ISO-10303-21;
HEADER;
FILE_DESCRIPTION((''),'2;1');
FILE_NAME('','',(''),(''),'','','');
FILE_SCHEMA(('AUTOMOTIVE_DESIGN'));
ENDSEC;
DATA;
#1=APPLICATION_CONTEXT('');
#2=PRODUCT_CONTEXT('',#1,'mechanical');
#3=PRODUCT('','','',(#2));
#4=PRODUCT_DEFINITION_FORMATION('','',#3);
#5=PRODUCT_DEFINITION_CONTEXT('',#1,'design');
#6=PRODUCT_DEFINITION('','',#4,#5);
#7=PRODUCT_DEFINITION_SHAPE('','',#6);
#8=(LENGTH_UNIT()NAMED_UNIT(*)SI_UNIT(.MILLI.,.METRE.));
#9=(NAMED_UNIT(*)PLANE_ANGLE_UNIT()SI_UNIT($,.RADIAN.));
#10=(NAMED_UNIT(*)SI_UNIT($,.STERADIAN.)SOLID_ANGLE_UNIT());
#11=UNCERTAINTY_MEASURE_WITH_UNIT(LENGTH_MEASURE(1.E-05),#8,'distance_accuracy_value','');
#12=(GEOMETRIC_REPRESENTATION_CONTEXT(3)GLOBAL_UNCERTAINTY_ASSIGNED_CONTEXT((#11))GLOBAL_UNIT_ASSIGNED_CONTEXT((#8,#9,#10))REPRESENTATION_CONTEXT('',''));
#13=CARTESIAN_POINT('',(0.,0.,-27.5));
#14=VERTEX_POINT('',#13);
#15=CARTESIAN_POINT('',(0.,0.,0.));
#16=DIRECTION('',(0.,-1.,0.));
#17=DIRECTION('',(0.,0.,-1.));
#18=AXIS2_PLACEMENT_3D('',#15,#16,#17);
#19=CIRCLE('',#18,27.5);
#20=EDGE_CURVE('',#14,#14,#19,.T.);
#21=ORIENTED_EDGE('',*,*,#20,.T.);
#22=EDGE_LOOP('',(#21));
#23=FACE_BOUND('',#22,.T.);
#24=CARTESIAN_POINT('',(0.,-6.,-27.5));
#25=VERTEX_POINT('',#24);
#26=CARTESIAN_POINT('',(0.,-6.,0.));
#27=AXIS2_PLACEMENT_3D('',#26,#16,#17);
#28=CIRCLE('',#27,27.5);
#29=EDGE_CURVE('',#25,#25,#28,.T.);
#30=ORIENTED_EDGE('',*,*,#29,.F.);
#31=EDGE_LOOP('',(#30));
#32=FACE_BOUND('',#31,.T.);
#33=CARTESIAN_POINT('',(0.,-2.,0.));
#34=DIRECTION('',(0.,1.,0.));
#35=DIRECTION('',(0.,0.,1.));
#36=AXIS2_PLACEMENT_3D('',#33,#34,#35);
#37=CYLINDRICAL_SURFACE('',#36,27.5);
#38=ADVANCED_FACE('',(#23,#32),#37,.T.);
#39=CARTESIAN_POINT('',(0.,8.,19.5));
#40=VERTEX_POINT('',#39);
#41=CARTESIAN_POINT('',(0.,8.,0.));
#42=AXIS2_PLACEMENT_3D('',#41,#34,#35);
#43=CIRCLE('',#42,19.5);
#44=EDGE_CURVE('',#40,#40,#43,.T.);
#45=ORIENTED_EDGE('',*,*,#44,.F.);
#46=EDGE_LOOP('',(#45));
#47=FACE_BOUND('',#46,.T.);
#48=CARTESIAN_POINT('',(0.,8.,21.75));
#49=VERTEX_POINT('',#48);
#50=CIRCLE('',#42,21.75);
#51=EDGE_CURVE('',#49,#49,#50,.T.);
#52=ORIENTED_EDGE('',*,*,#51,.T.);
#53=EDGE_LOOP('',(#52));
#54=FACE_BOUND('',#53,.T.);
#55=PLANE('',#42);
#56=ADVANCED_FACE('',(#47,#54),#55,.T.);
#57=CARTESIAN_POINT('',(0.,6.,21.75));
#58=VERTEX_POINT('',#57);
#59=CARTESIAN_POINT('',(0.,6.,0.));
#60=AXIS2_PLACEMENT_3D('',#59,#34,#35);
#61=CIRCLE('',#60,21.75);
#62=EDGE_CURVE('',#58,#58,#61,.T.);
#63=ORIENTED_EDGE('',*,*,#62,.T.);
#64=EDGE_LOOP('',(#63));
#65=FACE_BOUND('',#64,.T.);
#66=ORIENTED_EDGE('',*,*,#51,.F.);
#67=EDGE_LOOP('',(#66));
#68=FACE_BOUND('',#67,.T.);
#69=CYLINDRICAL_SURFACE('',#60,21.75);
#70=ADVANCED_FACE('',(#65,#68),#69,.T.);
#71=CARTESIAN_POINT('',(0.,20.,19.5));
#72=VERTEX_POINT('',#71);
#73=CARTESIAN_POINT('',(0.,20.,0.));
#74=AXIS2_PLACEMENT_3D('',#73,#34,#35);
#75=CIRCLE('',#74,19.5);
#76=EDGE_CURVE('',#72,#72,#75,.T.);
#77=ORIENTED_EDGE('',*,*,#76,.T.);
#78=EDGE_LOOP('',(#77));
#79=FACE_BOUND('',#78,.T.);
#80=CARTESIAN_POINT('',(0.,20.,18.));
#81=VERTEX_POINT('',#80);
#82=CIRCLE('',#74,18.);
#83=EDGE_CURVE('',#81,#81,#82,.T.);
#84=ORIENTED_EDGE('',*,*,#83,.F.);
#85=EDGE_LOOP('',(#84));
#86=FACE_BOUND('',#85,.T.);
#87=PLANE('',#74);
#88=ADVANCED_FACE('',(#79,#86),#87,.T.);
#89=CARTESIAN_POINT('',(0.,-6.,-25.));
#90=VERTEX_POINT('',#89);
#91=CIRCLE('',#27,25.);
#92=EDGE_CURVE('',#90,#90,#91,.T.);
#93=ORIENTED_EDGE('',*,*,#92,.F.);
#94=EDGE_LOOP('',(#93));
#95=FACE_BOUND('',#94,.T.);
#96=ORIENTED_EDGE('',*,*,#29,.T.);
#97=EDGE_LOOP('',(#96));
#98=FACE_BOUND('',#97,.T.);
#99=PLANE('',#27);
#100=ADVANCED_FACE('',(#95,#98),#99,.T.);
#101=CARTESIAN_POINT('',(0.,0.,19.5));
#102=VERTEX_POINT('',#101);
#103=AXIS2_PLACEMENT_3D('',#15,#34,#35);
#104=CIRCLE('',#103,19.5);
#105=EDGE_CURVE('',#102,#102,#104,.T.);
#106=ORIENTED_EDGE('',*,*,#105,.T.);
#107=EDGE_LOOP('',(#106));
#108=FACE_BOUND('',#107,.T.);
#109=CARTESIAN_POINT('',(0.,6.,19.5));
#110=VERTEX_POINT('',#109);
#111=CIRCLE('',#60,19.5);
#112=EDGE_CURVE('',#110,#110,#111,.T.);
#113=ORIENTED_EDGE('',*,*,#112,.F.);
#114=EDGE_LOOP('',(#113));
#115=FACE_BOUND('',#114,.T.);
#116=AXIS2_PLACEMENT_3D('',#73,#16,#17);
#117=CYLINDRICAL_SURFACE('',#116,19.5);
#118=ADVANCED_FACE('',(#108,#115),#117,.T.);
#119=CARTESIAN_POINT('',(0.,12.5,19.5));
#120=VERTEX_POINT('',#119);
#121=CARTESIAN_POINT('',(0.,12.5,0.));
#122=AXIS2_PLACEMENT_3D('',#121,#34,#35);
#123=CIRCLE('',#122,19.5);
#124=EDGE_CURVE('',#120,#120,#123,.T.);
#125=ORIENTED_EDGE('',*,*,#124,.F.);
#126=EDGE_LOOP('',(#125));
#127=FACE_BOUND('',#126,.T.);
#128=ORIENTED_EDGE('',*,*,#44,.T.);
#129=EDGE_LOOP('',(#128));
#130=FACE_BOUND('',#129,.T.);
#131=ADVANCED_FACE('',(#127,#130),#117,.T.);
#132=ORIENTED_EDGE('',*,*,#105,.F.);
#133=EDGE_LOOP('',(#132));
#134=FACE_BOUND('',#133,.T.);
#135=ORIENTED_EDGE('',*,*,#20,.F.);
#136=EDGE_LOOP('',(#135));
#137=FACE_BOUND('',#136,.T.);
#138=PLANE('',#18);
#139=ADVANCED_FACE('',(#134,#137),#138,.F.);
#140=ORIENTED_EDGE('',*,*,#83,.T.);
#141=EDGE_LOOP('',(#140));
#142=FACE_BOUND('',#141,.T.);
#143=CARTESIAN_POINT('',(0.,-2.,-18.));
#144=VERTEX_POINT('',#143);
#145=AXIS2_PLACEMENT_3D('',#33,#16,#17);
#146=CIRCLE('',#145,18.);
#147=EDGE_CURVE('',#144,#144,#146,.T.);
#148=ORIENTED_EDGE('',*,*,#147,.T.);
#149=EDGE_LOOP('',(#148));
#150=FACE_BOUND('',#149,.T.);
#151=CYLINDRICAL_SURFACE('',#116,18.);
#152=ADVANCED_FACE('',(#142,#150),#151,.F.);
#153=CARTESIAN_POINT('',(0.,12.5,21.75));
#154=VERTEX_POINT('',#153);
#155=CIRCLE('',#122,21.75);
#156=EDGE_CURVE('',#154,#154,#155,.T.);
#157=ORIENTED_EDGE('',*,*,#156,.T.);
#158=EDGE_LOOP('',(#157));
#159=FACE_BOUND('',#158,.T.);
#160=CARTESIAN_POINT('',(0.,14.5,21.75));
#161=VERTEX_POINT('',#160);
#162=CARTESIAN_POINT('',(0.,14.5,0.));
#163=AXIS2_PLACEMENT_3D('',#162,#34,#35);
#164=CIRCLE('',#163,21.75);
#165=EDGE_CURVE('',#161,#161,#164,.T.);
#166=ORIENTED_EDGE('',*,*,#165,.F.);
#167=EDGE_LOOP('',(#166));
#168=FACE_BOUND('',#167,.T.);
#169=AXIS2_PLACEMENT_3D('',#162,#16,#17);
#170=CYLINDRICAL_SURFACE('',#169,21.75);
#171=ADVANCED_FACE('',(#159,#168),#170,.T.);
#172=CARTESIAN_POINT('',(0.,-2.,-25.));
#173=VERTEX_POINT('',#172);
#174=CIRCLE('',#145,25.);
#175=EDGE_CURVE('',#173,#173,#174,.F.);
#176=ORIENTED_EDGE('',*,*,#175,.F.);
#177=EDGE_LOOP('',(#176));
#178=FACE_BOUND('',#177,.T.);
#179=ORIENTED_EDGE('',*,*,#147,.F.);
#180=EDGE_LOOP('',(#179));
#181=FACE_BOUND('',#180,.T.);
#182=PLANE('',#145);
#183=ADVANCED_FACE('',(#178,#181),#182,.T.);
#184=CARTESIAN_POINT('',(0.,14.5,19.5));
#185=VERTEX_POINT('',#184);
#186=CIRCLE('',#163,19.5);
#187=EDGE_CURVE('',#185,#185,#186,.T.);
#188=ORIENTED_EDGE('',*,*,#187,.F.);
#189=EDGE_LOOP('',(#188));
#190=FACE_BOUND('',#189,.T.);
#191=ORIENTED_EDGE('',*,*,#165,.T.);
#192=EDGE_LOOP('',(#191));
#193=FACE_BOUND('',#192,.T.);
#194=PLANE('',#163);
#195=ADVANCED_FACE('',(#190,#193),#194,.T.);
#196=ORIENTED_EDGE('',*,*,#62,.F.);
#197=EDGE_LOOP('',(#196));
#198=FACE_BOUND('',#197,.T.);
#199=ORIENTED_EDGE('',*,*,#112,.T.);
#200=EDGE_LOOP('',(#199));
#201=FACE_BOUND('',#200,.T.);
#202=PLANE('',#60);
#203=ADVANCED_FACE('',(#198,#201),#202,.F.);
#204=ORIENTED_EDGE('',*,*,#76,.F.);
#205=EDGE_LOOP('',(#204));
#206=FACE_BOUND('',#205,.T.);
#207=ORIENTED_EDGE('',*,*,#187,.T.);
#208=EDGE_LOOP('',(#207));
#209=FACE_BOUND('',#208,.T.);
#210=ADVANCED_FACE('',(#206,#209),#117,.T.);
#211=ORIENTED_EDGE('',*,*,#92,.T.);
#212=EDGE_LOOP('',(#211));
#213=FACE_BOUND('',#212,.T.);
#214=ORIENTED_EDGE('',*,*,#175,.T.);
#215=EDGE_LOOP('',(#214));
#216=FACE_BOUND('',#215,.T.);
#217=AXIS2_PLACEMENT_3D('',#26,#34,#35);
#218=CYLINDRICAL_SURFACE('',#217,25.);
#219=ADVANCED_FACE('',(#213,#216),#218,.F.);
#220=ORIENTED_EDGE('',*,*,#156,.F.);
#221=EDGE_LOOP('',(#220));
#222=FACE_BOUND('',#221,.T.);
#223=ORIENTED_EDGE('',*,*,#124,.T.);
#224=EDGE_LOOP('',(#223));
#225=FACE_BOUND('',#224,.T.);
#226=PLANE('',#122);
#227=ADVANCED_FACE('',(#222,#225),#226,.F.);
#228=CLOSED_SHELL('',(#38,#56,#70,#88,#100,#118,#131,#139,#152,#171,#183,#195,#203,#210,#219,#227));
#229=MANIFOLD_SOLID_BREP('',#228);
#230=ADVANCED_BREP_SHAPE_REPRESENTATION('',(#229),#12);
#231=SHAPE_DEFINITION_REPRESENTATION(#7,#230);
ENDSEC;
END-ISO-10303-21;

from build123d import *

# Parameters (mm, degrees)
SKETCH_1_R          = 19.5
SKETCH_1_R_2        = 18
EXTRUDE_1_DEPTH     = 20
SKETCH_3_R          = 27.5
EXTRUDE_2_DEPTH     = 2
SKETCH_4_R          = 21.75
EXTRUDE_3_DEPTH     = 2
EXTRUDE_START       = 3
SKETCH_8_R          = 21.75
EXTRUDE_4_DEPTH     = 2
SKETCH_6_R          = 18
CUT_EXTRUDE_1_DEPTH = 35
SKETCH_13_R         = 27.5
SKETCH_13_R_2       = 25
EXTRUDE_6_DEPTH     = 4
SKETCH_13_4_R       = 18
CUT_EXTRUDE_2_DEPTH = 23.5


with BuildPart() as part:
    # 草圖1 → 填料-伸長1 (new body)
    with BuildSketch(Plane(origin=(0, 0, 0), x_dir=(1, 0, 0), z_dir=(0, 1, 0))):
        Circle(SKETCH_1_R)
        Circle(SKETCH_1_R_2, mode=Mode.SUBTRACT)
    extrude(amount=EXTRUDE_1_DEPTH)

    # 草圖3 → 填料-伸長2 (add)
    with BuildSketch(Plane.XZ):
        Circle(SKETCH_3_R)
    extrude(amount=EXTRUDE_2_DEPTH)

    # 草圖4 → 填料-伸長3 (add)
    with BuildSketch(Plane(origin=(0, 8, 0), x_dir=(1, 0, 0), z_dir=(0, 1, 0))):
        Circle(SKETCH_4_R)
    extrude(amount=-EXTRUDE_3_DEPTH)

    # 草圖8 → 填料-伸長4 (add)
    with BuildSketch(Plane(origin=(0, 11.5, 0), x_dir=(1, 0, 0), z_dir=(0, 1, 0)).offset(EXTRUDE_START)):
        Circle(SKETCH_8_R)
    extrude(amount=-EXTRUDE_4_DEPTH)

    # 草圖6 → 除料-伸長1 (cut)
    with BuildSketch(Plane(origin=(0, 0, 0), x_dir=(1, 0, 0), z_dir=(0, 1, 0))):
        Circle(SKETCH_6_R)
    extrude(amount=CUT_EXTRUDE_1_DEPTH, mode=Mode.SUBTRACT)

    # 草圖13 → 填料-伸長6 (add)
    with BuildSketch(Plane.XZ.offset(2)):
        Circle(SKETCH_13_R)
        Circle(SKETCH_13_R_2, mode=Mode.SUBTRACT)
    extrude(amount=EXTRUDE_6_DEPTH)

    # 草圖13<4> → 除料-伸長2 (cut)
    with BuildSketch(Plane.XZ.offset(2)):
        Circle(SKETCH_13_4_R)
    extrude(amount=-CUT_EXTRUDE_2_DEPTH, mode=Mode.SUBTRACT)


solid = part.part
